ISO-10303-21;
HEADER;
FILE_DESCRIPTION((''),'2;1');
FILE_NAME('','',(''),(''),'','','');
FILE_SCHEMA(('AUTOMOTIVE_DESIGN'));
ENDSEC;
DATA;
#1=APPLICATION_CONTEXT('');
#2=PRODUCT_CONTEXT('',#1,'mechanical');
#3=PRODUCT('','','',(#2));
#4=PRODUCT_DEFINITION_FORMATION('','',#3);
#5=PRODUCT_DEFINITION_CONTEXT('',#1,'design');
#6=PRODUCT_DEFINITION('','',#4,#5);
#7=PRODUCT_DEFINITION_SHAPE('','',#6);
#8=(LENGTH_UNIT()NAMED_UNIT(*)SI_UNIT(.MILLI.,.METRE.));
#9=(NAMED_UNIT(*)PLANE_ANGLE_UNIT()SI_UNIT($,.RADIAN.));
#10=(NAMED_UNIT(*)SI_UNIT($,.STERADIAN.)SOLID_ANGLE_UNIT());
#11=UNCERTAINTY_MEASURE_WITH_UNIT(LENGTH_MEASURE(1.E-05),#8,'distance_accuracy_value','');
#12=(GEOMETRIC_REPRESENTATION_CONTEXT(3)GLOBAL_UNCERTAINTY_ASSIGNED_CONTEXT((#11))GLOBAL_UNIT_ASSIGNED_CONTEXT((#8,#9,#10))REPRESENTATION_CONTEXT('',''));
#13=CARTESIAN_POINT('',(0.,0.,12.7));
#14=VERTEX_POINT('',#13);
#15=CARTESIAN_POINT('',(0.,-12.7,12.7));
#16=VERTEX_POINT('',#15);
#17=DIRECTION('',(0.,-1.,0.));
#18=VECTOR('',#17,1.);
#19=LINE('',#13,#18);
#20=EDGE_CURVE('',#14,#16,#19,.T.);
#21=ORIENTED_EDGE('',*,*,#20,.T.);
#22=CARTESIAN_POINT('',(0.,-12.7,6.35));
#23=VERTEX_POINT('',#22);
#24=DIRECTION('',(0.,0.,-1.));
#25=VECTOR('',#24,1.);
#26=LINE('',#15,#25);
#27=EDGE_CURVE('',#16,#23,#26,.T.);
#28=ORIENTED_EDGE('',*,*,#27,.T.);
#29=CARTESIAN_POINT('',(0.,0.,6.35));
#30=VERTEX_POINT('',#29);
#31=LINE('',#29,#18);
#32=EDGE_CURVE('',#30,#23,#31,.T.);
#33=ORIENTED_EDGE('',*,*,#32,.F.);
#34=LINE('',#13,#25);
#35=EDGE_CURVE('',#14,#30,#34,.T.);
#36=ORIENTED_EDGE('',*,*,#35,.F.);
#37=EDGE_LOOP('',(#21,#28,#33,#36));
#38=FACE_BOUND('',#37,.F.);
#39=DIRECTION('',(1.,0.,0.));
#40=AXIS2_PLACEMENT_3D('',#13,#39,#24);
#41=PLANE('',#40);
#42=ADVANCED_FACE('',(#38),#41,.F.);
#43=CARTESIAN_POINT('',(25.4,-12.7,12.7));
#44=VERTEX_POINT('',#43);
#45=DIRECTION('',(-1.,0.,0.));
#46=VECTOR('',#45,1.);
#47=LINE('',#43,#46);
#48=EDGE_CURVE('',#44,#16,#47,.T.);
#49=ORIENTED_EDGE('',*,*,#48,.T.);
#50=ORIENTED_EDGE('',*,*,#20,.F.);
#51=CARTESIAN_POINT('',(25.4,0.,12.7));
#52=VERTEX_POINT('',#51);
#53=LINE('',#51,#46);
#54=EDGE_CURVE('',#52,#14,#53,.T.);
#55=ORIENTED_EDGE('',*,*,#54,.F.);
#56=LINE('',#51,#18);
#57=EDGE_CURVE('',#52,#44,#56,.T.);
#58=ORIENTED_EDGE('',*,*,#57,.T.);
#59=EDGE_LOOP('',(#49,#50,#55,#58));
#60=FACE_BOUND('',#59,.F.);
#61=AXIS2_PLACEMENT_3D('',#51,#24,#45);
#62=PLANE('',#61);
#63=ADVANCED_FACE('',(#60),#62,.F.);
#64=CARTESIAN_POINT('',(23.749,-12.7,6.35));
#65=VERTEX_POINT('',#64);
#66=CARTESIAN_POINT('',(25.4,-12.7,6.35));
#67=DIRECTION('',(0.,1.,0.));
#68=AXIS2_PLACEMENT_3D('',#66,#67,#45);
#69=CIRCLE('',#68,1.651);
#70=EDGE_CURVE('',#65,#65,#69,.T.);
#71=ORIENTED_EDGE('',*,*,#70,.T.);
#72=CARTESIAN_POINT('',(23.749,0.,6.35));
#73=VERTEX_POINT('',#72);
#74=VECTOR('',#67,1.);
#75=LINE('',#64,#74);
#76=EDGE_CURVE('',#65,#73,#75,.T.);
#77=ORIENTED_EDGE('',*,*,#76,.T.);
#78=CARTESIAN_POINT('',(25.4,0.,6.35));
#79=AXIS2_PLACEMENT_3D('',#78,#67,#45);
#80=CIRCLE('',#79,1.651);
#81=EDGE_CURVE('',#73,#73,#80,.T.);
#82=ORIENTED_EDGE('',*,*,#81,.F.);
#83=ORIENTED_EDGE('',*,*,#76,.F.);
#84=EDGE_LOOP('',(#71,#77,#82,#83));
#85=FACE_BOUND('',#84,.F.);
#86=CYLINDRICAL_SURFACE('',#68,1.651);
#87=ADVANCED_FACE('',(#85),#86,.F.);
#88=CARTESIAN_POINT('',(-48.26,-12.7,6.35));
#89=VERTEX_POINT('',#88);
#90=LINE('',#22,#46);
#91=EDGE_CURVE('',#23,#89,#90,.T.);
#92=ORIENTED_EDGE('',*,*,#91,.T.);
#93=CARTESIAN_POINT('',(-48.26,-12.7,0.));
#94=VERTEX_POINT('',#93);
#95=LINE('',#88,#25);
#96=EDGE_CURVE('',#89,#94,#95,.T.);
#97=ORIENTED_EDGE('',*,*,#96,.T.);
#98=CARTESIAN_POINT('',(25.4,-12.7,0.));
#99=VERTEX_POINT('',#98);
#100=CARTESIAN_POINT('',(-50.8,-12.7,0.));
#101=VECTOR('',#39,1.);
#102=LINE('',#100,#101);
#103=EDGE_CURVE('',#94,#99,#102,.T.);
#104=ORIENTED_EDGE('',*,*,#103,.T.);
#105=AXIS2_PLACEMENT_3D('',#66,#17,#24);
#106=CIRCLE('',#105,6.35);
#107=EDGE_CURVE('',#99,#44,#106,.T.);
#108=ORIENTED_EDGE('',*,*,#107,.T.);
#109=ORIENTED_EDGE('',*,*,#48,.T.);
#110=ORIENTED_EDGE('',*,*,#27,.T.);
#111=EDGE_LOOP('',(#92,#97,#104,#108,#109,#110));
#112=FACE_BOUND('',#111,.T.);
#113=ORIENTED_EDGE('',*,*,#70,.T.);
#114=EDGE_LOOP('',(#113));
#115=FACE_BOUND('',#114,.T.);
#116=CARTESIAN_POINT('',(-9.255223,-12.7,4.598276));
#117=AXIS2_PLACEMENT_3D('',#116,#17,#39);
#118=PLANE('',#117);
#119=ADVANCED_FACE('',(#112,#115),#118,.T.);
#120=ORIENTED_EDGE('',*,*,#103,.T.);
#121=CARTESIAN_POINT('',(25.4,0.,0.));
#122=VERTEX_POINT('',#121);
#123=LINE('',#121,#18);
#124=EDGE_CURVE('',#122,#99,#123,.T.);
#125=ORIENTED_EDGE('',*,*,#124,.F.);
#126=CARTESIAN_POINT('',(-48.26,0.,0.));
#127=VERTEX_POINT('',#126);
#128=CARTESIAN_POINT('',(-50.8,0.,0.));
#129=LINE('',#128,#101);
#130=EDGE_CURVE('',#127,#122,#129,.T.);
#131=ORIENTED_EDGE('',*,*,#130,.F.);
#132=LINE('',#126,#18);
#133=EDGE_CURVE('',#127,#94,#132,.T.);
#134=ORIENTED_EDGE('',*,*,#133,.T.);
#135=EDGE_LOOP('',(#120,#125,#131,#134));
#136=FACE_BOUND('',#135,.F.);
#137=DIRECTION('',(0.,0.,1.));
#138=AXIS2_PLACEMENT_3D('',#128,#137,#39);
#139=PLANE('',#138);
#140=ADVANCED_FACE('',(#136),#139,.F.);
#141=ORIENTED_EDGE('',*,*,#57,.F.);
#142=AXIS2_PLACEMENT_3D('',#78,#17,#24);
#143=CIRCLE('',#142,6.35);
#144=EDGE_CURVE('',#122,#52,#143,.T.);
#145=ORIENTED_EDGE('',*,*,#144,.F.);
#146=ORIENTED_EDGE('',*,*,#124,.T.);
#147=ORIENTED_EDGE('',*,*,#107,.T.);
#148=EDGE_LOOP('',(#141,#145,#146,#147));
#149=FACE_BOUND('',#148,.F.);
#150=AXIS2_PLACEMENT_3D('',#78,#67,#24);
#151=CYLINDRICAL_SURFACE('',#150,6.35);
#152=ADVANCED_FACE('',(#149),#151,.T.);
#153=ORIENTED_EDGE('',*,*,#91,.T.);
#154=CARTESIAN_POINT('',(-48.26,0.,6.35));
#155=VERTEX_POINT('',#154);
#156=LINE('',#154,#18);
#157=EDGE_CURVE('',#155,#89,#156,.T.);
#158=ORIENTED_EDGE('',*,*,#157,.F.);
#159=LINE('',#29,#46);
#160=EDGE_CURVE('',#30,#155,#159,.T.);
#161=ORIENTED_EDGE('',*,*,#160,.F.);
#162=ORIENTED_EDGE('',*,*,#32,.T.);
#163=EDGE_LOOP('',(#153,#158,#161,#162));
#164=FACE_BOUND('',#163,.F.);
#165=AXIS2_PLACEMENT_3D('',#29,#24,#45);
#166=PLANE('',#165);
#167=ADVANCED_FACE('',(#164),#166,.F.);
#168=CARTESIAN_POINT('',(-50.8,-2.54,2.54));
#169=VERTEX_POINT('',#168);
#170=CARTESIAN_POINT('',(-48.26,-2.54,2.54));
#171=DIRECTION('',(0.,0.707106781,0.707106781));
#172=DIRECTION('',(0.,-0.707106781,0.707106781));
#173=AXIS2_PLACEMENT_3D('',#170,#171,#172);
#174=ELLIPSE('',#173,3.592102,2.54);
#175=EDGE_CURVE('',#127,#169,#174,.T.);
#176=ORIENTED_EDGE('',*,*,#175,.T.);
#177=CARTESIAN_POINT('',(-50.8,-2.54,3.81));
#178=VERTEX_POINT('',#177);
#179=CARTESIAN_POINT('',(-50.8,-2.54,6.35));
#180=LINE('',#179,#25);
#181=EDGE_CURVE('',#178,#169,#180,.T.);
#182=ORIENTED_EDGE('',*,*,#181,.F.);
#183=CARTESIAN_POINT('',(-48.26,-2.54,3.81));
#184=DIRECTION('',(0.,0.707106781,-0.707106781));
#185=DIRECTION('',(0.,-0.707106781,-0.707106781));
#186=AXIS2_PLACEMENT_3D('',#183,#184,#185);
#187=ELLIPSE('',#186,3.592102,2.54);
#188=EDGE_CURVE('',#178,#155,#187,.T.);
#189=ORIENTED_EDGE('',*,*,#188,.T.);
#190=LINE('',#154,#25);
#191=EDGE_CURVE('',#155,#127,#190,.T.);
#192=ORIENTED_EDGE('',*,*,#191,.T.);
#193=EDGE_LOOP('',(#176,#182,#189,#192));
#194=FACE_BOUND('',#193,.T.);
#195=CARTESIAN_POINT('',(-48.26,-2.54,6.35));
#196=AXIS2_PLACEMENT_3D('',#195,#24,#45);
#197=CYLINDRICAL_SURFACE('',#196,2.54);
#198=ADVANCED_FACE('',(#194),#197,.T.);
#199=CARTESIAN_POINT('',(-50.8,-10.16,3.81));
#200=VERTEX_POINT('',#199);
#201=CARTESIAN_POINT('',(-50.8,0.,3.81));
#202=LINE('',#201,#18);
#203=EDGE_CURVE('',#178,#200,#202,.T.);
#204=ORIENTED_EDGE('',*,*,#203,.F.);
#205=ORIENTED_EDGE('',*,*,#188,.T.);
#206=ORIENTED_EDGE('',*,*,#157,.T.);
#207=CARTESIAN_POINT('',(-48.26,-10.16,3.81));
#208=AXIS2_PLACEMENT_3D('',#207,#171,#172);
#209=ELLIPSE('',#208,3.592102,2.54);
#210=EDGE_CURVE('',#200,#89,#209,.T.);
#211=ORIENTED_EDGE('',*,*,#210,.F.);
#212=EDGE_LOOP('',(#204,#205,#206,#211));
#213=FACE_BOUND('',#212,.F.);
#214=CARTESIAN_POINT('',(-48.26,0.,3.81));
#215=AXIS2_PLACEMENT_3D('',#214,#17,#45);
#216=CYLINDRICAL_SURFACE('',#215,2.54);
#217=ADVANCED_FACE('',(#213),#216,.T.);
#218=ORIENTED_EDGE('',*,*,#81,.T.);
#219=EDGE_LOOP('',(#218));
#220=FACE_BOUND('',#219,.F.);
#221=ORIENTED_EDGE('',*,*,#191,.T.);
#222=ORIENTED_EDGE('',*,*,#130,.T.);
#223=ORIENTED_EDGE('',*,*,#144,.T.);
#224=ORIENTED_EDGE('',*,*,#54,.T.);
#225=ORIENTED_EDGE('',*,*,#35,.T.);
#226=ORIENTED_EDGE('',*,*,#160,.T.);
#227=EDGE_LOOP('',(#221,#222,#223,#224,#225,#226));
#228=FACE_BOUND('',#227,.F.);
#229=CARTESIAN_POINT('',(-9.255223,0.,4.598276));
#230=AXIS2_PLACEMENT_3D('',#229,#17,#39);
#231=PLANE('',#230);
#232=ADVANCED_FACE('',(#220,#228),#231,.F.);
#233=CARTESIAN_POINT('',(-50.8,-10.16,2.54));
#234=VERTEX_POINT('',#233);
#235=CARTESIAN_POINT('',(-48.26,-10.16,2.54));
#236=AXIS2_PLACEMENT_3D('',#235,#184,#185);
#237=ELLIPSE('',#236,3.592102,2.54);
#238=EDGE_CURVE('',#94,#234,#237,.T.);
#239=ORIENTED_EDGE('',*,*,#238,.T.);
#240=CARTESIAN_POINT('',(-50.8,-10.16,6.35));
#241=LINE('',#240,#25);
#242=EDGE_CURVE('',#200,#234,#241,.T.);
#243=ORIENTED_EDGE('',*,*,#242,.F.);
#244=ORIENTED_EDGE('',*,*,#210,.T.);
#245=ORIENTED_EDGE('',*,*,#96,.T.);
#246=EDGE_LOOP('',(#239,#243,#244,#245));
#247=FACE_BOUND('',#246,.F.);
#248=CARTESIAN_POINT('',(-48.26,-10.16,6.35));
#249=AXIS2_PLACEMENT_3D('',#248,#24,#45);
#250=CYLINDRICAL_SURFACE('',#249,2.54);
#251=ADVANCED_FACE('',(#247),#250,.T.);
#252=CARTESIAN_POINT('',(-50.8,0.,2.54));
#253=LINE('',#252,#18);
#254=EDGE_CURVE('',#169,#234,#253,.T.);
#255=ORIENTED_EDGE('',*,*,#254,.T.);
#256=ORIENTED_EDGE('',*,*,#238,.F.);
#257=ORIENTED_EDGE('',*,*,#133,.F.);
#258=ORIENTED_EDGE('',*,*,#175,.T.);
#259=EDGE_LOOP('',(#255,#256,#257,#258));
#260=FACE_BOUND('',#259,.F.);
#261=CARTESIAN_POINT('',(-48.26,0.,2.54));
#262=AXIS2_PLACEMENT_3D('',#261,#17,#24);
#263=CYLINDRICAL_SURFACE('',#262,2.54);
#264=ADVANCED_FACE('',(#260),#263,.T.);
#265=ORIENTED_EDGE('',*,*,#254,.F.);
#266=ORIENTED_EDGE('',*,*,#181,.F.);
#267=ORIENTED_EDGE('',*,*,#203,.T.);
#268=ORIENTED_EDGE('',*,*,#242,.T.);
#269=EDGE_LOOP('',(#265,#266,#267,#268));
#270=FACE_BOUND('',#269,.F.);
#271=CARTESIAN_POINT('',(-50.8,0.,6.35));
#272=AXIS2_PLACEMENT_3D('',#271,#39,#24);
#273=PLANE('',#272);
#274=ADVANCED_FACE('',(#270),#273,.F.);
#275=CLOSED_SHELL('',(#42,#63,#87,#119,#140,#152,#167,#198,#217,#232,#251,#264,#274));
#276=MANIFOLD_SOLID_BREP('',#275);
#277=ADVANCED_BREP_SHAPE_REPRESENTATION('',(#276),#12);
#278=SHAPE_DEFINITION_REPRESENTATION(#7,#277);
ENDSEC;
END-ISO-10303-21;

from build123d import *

# Parameters (mm, degrees)
F1_DEPTH       = 12.7
F3_D           = 3.302
F3_CBORE_D     = 6.5024
F3_CBORE_DEPTH = 0
F4_R           = 2.54


with BuildPart() as f1:
    # F0 (on Front) → F1 (new body)
    with BuildSketch(Plane.XZ):
        with BuildLine():
            Line((-50.8, 0), (0, 0))
            Line((0, 0), (25.4, 0))
            ThreePointArc((25.4, 0), (31.75, 6.35), (25.4, 12.7))
            Line((25.4, 12.7), (0, 12.7))
            Line((0, 12.7), (0, 6.35))
            Line((0, 6.35), (-50.8, 6.35))
            Line((-50.8, 6.35), (-50.8, 0))
        make_face()
    extrude(amount=F1_DEPTH)

    # F3 (through all)
    with Locations(Plane.XZ.offset(12.7)):
        with Locations((25.4, 6.35)):
            CounterBoreHole(F3_D / 2, F3_CBORE_D / 2, F3_CBORE_DEPTH)

    # F4
    f4_edges = [f1.edges().sort_by_distance(p)[0] for p in [
        (-50.8, -6.35, 6.35),
        (-50.8, -6.35, 0),
        (-50.8, 0, 3.175),
        (-50.8, -12.7, 3.175),
    ]]
    fillet(f4_edges, radius=F4_R)


solid = f1.part
